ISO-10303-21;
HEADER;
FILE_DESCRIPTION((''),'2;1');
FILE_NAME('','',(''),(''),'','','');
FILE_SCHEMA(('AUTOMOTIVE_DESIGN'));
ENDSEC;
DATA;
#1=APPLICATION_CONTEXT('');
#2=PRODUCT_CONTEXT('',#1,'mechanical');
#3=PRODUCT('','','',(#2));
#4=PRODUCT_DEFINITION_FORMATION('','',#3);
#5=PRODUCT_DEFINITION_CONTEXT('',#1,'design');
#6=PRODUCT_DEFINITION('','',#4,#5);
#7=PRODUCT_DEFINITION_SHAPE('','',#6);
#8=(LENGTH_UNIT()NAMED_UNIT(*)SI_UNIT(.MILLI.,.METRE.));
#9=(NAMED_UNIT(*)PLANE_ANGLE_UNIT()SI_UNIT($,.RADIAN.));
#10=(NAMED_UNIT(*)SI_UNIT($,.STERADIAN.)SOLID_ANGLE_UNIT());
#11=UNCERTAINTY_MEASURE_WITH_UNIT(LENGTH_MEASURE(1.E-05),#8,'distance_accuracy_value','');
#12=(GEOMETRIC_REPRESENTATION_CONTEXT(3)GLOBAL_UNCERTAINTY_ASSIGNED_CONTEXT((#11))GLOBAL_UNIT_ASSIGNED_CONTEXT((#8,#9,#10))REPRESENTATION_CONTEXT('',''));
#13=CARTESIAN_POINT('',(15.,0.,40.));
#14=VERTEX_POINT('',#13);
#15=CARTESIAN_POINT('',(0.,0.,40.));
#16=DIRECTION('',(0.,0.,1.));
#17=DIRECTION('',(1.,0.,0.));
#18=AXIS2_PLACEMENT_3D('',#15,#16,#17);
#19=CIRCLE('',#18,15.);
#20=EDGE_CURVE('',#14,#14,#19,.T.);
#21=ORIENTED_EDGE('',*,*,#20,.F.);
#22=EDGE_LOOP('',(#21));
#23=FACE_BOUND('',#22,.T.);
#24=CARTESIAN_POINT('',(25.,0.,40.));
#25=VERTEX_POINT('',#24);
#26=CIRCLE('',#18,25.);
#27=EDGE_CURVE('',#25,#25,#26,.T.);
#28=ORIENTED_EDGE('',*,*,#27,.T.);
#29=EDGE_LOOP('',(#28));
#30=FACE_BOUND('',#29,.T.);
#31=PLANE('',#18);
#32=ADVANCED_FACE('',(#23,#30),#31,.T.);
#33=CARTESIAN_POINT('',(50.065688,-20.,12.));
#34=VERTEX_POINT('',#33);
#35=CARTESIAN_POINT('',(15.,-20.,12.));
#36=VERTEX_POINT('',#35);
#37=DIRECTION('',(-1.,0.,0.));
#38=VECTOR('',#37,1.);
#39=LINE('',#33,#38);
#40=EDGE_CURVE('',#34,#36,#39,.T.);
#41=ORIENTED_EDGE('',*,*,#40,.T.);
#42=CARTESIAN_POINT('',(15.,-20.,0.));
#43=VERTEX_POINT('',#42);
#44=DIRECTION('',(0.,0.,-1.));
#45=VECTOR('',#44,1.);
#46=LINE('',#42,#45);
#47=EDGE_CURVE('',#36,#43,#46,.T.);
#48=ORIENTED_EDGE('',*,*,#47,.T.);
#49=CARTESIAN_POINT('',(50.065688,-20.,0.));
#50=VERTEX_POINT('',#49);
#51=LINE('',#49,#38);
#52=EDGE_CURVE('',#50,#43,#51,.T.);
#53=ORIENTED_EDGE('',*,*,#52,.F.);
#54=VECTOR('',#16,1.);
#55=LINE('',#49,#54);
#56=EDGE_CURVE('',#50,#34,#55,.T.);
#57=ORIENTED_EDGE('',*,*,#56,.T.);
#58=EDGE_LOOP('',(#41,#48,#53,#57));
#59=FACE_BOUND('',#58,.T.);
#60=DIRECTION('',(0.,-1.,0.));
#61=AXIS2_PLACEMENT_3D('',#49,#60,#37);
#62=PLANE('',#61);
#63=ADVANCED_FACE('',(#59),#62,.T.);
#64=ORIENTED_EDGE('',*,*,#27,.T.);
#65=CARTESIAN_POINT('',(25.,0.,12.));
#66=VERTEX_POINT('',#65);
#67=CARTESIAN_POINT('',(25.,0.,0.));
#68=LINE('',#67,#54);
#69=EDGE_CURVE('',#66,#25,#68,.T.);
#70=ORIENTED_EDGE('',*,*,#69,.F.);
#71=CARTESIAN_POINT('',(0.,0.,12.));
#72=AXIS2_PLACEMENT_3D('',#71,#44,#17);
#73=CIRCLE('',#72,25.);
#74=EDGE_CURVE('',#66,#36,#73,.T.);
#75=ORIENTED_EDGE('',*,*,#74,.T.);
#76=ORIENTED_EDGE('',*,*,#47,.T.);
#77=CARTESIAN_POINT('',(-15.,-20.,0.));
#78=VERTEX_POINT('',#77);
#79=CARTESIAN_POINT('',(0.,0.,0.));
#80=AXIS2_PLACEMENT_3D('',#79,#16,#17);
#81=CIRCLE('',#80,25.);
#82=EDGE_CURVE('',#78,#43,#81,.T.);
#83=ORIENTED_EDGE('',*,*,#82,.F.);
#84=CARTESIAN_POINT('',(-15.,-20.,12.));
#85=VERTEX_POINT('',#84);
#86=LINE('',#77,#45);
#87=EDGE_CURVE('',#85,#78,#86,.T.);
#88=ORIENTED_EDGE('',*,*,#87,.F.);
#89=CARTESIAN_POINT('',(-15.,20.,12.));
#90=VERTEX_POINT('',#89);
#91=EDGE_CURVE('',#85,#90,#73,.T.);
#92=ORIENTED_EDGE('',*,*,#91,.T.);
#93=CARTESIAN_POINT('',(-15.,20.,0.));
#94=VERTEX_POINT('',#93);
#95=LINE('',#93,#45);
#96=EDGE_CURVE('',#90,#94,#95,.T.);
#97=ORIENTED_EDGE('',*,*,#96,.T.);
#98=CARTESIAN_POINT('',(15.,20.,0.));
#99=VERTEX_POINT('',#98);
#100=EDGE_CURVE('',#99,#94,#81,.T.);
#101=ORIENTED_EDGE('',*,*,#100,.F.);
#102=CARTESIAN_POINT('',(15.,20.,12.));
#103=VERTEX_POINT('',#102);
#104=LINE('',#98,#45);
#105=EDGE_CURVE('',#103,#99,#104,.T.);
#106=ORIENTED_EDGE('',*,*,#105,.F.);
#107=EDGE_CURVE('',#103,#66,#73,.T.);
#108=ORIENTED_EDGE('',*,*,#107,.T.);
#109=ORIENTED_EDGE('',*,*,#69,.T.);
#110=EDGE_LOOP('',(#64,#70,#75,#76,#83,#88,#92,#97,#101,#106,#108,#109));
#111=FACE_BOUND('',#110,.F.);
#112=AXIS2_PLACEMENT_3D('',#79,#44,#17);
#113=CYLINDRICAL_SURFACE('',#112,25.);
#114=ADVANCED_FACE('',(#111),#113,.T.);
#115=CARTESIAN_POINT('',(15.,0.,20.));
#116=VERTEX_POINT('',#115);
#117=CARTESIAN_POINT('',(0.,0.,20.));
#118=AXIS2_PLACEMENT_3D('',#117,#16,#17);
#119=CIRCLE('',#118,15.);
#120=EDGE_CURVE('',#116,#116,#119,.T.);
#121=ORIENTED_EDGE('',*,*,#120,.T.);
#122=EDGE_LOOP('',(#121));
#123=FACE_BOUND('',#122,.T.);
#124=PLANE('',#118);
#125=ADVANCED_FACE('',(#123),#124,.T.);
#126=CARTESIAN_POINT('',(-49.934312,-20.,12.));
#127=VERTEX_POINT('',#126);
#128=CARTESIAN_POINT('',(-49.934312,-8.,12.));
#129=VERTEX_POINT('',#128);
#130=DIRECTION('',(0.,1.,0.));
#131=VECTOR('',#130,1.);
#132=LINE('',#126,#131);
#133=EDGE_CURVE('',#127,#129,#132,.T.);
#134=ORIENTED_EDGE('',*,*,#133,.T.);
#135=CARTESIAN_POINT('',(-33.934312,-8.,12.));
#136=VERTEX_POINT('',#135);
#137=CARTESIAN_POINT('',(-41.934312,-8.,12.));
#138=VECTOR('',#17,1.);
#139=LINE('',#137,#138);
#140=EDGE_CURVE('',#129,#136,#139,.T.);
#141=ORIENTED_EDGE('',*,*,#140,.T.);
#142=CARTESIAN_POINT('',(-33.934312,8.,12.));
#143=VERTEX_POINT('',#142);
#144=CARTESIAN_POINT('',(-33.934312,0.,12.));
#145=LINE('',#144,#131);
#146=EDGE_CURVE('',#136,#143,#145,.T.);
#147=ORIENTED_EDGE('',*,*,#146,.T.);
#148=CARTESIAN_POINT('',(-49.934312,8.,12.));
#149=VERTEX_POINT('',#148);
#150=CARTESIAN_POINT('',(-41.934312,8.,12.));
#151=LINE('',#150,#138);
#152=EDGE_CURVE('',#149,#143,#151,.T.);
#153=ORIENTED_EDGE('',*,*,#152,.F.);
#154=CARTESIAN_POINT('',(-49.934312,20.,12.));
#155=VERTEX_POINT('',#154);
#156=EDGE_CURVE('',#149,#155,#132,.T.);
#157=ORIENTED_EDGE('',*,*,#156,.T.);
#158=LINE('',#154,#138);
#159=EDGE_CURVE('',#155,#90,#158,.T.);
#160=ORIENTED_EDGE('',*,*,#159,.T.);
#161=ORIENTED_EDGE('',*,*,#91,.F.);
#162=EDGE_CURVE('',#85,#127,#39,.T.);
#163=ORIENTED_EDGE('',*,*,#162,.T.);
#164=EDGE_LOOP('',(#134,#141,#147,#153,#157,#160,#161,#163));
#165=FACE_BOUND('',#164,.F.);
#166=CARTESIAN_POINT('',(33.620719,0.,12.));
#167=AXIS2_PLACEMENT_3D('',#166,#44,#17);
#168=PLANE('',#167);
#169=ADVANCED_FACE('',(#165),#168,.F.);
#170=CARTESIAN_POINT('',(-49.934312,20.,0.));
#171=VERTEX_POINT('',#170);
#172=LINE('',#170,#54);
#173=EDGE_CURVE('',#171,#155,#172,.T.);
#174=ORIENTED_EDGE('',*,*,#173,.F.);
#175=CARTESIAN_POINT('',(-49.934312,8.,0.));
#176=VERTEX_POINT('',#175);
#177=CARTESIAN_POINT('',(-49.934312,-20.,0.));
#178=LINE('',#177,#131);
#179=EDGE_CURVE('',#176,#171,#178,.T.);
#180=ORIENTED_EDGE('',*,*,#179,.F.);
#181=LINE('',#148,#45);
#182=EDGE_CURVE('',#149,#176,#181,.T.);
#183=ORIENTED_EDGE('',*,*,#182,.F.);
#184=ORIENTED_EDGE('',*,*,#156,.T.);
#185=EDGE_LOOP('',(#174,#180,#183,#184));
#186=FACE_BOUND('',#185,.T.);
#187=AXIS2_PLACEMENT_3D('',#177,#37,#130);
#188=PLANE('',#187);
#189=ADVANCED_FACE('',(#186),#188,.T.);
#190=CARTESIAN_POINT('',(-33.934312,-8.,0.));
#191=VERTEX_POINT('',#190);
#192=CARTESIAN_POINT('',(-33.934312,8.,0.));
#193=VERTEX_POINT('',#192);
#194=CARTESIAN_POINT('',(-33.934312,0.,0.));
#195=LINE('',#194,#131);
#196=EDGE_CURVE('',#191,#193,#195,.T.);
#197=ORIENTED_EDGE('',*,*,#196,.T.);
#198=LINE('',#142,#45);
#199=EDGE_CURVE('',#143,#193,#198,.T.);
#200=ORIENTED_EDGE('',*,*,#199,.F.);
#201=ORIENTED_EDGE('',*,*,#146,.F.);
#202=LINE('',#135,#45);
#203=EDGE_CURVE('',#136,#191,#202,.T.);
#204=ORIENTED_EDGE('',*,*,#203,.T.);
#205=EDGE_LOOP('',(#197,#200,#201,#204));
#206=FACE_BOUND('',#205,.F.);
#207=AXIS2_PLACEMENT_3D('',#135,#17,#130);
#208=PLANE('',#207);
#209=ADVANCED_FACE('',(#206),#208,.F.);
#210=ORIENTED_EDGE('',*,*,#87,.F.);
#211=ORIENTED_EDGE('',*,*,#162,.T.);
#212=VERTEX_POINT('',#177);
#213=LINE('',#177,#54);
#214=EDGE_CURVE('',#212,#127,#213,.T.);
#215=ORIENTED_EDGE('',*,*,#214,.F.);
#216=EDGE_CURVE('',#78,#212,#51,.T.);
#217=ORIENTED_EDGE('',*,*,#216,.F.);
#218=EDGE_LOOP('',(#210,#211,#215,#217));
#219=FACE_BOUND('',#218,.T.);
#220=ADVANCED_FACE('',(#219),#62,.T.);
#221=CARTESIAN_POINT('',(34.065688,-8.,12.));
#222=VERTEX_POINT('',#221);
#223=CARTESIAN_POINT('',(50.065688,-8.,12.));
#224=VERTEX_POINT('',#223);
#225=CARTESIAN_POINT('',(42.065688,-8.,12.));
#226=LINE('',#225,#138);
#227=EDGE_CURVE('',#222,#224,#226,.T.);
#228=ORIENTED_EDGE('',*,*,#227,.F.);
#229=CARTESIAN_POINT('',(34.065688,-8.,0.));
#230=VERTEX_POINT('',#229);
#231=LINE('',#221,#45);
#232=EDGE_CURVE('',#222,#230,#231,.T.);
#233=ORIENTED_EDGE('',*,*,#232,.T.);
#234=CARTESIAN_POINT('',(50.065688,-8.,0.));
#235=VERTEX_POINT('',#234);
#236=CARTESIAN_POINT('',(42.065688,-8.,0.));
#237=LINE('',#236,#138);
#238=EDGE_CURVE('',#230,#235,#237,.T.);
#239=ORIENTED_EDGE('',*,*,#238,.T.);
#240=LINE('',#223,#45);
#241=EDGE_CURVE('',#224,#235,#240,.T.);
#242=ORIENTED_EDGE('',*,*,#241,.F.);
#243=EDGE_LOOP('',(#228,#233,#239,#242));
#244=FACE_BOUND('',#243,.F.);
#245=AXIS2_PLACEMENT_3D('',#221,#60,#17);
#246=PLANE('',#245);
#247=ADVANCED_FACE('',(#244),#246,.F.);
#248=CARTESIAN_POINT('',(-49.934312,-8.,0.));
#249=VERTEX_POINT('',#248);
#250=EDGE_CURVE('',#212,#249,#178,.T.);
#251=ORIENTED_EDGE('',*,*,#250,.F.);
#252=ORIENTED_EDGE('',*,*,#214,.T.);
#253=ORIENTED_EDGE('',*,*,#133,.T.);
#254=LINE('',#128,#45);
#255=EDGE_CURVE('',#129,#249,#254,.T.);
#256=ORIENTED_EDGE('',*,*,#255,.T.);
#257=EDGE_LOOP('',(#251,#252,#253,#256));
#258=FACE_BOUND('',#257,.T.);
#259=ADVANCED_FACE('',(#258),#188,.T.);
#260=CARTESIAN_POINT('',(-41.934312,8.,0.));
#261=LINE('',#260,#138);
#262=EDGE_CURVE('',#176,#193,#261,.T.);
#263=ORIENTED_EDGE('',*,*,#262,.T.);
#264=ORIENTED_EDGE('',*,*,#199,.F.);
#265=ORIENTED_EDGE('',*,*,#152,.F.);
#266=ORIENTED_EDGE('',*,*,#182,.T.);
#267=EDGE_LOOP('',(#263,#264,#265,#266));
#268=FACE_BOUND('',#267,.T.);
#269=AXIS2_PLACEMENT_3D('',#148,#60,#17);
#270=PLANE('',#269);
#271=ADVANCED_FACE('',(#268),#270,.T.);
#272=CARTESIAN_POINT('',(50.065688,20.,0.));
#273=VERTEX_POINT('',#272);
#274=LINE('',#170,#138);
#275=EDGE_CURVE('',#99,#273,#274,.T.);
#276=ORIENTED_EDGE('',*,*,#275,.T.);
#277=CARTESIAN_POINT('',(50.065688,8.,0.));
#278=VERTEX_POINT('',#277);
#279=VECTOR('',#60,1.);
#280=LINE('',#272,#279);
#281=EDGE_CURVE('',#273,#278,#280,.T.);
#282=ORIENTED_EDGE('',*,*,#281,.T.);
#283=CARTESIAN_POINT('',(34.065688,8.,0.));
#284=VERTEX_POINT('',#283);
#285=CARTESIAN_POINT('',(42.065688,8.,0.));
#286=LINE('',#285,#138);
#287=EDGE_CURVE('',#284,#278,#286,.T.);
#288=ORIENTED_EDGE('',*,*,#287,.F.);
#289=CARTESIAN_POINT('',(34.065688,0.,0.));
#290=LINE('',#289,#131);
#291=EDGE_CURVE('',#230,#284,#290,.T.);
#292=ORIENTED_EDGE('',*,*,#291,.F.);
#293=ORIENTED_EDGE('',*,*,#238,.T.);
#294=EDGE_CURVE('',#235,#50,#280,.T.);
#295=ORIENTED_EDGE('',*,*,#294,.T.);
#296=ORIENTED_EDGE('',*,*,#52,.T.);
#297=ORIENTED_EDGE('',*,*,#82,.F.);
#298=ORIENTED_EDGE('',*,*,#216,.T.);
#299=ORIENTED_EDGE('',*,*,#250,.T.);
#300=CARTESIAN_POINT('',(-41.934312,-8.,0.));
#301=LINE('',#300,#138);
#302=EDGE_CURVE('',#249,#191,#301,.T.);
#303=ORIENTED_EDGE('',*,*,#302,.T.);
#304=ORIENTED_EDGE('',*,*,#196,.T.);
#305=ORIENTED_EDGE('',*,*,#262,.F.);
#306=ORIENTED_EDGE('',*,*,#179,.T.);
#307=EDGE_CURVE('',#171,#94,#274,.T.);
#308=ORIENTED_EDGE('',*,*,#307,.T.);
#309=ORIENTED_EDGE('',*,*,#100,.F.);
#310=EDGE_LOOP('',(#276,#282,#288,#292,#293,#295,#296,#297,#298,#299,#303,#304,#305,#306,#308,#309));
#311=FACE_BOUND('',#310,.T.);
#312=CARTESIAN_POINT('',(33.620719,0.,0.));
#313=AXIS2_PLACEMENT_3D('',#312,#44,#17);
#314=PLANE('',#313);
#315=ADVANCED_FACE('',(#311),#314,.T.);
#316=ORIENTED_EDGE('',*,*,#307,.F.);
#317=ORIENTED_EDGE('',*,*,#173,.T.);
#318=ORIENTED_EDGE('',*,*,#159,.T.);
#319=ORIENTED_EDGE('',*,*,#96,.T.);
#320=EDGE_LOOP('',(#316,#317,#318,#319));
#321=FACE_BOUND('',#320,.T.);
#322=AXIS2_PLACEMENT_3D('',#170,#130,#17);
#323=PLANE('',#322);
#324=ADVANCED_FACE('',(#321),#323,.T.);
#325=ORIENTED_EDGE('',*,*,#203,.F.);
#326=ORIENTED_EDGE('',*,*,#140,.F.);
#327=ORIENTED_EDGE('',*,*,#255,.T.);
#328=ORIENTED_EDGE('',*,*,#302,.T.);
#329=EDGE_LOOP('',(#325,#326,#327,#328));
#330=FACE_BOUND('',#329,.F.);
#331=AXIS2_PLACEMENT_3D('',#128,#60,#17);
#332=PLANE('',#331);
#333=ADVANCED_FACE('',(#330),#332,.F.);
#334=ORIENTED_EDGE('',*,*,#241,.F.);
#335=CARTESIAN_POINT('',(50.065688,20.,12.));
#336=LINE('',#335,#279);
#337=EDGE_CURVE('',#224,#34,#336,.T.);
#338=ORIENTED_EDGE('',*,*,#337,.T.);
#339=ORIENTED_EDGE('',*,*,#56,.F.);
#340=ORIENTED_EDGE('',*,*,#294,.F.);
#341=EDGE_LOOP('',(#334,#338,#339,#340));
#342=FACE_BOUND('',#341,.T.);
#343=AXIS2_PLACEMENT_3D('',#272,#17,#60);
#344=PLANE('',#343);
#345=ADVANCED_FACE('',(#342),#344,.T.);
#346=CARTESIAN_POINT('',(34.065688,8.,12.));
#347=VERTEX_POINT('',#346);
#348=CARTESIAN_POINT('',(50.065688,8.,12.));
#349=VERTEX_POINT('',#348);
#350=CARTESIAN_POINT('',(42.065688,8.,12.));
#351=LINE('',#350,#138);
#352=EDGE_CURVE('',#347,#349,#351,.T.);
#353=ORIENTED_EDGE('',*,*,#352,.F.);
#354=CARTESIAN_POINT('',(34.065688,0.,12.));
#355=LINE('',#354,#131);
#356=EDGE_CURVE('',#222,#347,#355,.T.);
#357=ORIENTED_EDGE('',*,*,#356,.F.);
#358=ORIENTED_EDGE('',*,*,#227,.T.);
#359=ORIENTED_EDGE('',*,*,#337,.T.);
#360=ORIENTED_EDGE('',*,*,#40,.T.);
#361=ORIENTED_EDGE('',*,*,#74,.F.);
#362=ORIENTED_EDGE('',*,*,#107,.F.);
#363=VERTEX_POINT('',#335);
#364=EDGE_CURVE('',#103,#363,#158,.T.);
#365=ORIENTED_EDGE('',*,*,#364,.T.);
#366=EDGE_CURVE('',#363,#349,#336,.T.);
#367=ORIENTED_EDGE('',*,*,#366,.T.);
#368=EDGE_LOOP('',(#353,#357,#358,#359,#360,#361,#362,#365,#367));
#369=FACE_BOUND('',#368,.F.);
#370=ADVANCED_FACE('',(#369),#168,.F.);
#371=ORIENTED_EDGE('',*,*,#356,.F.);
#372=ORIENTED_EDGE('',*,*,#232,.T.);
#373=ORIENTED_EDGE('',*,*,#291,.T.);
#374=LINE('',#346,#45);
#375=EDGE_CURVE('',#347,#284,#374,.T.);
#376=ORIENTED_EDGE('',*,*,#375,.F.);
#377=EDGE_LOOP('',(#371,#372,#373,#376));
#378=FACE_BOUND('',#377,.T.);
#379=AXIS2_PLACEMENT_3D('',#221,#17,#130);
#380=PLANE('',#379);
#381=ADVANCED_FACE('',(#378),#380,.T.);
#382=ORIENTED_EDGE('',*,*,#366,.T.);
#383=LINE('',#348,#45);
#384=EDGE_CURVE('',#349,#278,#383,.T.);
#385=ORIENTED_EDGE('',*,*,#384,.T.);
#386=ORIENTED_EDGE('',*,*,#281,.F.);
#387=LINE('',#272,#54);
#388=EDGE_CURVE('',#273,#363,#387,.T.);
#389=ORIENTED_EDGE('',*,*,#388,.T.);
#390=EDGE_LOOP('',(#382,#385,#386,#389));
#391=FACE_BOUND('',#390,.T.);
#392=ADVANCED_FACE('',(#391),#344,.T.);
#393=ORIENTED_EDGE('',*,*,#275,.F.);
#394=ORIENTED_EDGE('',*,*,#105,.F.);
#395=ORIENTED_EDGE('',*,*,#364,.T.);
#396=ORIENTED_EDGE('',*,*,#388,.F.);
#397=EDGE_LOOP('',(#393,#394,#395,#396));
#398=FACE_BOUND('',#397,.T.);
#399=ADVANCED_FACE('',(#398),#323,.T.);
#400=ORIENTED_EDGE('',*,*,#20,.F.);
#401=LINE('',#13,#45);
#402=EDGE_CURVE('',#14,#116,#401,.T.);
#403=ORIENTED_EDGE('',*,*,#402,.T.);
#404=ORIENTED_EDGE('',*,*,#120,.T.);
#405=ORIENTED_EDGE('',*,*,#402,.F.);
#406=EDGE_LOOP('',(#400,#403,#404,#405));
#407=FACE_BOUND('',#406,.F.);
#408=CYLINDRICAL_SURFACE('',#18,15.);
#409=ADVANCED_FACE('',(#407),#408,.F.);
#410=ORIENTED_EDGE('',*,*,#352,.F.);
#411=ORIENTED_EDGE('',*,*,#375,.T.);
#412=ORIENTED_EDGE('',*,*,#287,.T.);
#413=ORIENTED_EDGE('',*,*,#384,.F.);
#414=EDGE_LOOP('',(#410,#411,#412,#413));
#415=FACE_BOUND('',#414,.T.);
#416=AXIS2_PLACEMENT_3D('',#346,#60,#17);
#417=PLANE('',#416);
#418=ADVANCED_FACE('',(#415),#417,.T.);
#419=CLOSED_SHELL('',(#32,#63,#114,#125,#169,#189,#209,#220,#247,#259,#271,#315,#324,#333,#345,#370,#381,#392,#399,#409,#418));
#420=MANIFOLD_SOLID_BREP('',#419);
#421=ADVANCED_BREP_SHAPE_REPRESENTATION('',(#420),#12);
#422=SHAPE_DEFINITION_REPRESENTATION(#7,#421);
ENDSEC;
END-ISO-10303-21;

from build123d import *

# Parameters (mm, degrees)
F0_R     = 25
F1_DEPTH = 40
F2_R     = 15
F3_DEPTH = 20
F5_DEPTH = 12
F6_W     = 16
F6_H     = 16
F7_DEPTH = 12
F8_W     = 16
F8_H     = 16
F9_DEPTH = 12


with BuildPart() as f1:
    # F0 (on Top) → F1 (new body)
    with BuildSketch(Plane.XY):
        Circle(F0_R)
    extrude(amount=F1_DEPTH)

    # F2 (on face) → F3 (cut)
    with BuildSketch(Plane.XY.offset(40)):
        Circle(F2_R)
    extrude(amount=-F3_DEPTH, mode=Mode.SUBTRACT)

    # F4 (on face) → F5 (join)
    with BuildSketch(Plane(origin=(0, 0, 0), x_dir=(1, 0, 0), z_dir=(0, 0, -1))):
        with BuildLine():
            Line((50.0656880438, 20), (15, 20))
            ThreePointArc((15, 20), (22.360679775, 11.1803398875), (25, 0))
            ThreePointArc((25, 0), (22.360679775, -11.1803398875), (15, -20))
            Line((15, -20), (50.0656880438, -20))
            Line((50.0656880438, -20), (50.0656880438, 20))
        make_face()
        with BuildLine():
            Line((-15, 20), (-49.9343119562, 20))
            Line((-49.9343119562, 20), (-49.9343119562, -20))
            Line((-49.9343119562, -20), (-15, -20))
            ThreePointArc((-15, -20), (-25, 0), (-15, 20))
        make_face()
        with BuildLine():
            Line((15, 20), (-15, 20))
            ThreePointArc((-15, 20), (-25, 0), (-15, -20))
            Line((-15, -20), (15, -20))
            ThreePointArc((15, -20), (22.360679775, -11.1803398875), (25, 0))
            ThreePointArc((25, 0), (22.360679775, 11.1803398875), (15, 20))
        make_face()
    extrude(amount=-F5_DEPTH)

    # F6 (on face) → F7 (cut)
    with BuildSketch(Plane.XY.offset(12)):
        with Locations((-41.9343119562, 0)):
            Rectangle(F6_W, F6_H)
    extrude(amount=-F7_DEPTH, mode=Mode.SUBTRACT)

    # F8 (on face) → F9 (cut)
    with BuildSketch(Plane.XY.offset(12)):
        with Locations((42.0656880438, 0)):
            Rectangle(F8_W, F8_H)
    extrude(amount=-F9_DEPTH, mode=Mode.SUBTRACT)


solid = f1.part
